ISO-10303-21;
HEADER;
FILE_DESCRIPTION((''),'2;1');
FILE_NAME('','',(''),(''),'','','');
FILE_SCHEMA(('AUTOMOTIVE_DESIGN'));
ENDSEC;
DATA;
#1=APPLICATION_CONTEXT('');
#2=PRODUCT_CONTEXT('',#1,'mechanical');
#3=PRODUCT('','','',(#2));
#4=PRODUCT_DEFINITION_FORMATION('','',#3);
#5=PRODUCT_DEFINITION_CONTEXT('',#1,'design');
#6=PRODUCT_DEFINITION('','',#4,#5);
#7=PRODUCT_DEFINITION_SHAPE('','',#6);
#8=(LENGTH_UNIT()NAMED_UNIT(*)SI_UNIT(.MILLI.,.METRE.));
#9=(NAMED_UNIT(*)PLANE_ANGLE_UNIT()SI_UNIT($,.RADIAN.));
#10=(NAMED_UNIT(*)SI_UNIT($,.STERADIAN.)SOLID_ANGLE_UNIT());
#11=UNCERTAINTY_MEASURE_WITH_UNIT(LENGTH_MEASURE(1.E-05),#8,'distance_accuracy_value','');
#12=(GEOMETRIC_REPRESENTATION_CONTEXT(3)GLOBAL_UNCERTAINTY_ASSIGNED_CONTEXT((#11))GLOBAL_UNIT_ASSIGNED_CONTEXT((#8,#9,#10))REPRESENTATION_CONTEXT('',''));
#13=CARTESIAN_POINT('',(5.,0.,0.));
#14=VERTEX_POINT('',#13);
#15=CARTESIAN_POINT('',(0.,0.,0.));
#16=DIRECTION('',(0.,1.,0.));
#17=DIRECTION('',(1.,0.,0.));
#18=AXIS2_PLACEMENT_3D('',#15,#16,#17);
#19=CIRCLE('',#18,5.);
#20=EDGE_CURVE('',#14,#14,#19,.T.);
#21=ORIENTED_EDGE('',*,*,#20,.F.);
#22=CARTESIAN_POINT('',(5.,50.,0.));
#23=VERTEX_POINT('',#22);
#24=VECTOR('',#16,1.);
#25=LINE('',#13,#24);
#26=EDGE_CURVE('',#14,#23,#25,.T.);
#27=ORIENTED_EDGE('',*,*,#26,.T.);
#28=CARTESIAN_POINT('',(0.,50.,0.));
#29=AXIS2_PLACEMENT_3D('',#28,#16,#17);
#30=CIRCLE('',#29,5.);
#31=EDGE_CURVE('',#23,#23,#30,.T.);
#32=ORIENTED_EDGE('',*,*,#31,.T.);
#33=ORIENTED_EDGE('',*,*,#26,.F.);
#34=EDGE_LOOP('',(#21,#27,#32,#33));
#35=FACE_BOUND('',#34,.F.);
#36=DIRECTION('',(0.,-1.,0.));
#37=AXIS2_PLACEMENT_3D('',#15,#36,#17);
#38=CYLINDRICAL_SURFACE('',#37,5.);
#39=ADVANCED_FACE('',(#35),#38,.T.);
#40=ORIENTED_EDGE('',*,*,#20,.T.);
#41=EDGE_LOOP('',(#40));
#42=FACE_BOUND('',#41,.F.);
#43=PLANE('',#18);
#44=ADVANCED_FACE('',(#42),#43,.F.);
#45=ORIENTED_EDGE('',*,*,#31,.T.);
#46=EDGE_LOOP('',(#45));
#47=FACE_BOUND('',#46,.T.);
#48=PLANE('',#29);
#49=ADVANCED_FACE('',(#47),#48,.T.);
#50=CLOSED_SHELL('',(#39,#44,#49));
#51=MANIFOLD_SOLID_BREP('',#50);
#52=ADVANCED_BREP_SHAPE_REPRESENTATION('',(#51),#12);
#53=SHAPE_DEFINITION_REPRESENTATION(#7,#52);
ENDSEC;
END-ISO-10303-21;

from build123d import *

# Parameters (mm, degrees)
CROQUIS1_R              = 5
SALIENTE_EXTRUIR1_DEPTH = 50


with BuildPart() as part:
    # Croquis1 → Saliente-Extruir1 (new body)
    with BuildSketch(Plane(origin=(0, 0, 0), x_dir=(1, 0, 0), z_dir=(0, 1, 0))):
        Circle(CROQUIS1_R)
    extrude(amount=SALIENTE_EXTRUIR1_DEPTH)


solid = part.part
